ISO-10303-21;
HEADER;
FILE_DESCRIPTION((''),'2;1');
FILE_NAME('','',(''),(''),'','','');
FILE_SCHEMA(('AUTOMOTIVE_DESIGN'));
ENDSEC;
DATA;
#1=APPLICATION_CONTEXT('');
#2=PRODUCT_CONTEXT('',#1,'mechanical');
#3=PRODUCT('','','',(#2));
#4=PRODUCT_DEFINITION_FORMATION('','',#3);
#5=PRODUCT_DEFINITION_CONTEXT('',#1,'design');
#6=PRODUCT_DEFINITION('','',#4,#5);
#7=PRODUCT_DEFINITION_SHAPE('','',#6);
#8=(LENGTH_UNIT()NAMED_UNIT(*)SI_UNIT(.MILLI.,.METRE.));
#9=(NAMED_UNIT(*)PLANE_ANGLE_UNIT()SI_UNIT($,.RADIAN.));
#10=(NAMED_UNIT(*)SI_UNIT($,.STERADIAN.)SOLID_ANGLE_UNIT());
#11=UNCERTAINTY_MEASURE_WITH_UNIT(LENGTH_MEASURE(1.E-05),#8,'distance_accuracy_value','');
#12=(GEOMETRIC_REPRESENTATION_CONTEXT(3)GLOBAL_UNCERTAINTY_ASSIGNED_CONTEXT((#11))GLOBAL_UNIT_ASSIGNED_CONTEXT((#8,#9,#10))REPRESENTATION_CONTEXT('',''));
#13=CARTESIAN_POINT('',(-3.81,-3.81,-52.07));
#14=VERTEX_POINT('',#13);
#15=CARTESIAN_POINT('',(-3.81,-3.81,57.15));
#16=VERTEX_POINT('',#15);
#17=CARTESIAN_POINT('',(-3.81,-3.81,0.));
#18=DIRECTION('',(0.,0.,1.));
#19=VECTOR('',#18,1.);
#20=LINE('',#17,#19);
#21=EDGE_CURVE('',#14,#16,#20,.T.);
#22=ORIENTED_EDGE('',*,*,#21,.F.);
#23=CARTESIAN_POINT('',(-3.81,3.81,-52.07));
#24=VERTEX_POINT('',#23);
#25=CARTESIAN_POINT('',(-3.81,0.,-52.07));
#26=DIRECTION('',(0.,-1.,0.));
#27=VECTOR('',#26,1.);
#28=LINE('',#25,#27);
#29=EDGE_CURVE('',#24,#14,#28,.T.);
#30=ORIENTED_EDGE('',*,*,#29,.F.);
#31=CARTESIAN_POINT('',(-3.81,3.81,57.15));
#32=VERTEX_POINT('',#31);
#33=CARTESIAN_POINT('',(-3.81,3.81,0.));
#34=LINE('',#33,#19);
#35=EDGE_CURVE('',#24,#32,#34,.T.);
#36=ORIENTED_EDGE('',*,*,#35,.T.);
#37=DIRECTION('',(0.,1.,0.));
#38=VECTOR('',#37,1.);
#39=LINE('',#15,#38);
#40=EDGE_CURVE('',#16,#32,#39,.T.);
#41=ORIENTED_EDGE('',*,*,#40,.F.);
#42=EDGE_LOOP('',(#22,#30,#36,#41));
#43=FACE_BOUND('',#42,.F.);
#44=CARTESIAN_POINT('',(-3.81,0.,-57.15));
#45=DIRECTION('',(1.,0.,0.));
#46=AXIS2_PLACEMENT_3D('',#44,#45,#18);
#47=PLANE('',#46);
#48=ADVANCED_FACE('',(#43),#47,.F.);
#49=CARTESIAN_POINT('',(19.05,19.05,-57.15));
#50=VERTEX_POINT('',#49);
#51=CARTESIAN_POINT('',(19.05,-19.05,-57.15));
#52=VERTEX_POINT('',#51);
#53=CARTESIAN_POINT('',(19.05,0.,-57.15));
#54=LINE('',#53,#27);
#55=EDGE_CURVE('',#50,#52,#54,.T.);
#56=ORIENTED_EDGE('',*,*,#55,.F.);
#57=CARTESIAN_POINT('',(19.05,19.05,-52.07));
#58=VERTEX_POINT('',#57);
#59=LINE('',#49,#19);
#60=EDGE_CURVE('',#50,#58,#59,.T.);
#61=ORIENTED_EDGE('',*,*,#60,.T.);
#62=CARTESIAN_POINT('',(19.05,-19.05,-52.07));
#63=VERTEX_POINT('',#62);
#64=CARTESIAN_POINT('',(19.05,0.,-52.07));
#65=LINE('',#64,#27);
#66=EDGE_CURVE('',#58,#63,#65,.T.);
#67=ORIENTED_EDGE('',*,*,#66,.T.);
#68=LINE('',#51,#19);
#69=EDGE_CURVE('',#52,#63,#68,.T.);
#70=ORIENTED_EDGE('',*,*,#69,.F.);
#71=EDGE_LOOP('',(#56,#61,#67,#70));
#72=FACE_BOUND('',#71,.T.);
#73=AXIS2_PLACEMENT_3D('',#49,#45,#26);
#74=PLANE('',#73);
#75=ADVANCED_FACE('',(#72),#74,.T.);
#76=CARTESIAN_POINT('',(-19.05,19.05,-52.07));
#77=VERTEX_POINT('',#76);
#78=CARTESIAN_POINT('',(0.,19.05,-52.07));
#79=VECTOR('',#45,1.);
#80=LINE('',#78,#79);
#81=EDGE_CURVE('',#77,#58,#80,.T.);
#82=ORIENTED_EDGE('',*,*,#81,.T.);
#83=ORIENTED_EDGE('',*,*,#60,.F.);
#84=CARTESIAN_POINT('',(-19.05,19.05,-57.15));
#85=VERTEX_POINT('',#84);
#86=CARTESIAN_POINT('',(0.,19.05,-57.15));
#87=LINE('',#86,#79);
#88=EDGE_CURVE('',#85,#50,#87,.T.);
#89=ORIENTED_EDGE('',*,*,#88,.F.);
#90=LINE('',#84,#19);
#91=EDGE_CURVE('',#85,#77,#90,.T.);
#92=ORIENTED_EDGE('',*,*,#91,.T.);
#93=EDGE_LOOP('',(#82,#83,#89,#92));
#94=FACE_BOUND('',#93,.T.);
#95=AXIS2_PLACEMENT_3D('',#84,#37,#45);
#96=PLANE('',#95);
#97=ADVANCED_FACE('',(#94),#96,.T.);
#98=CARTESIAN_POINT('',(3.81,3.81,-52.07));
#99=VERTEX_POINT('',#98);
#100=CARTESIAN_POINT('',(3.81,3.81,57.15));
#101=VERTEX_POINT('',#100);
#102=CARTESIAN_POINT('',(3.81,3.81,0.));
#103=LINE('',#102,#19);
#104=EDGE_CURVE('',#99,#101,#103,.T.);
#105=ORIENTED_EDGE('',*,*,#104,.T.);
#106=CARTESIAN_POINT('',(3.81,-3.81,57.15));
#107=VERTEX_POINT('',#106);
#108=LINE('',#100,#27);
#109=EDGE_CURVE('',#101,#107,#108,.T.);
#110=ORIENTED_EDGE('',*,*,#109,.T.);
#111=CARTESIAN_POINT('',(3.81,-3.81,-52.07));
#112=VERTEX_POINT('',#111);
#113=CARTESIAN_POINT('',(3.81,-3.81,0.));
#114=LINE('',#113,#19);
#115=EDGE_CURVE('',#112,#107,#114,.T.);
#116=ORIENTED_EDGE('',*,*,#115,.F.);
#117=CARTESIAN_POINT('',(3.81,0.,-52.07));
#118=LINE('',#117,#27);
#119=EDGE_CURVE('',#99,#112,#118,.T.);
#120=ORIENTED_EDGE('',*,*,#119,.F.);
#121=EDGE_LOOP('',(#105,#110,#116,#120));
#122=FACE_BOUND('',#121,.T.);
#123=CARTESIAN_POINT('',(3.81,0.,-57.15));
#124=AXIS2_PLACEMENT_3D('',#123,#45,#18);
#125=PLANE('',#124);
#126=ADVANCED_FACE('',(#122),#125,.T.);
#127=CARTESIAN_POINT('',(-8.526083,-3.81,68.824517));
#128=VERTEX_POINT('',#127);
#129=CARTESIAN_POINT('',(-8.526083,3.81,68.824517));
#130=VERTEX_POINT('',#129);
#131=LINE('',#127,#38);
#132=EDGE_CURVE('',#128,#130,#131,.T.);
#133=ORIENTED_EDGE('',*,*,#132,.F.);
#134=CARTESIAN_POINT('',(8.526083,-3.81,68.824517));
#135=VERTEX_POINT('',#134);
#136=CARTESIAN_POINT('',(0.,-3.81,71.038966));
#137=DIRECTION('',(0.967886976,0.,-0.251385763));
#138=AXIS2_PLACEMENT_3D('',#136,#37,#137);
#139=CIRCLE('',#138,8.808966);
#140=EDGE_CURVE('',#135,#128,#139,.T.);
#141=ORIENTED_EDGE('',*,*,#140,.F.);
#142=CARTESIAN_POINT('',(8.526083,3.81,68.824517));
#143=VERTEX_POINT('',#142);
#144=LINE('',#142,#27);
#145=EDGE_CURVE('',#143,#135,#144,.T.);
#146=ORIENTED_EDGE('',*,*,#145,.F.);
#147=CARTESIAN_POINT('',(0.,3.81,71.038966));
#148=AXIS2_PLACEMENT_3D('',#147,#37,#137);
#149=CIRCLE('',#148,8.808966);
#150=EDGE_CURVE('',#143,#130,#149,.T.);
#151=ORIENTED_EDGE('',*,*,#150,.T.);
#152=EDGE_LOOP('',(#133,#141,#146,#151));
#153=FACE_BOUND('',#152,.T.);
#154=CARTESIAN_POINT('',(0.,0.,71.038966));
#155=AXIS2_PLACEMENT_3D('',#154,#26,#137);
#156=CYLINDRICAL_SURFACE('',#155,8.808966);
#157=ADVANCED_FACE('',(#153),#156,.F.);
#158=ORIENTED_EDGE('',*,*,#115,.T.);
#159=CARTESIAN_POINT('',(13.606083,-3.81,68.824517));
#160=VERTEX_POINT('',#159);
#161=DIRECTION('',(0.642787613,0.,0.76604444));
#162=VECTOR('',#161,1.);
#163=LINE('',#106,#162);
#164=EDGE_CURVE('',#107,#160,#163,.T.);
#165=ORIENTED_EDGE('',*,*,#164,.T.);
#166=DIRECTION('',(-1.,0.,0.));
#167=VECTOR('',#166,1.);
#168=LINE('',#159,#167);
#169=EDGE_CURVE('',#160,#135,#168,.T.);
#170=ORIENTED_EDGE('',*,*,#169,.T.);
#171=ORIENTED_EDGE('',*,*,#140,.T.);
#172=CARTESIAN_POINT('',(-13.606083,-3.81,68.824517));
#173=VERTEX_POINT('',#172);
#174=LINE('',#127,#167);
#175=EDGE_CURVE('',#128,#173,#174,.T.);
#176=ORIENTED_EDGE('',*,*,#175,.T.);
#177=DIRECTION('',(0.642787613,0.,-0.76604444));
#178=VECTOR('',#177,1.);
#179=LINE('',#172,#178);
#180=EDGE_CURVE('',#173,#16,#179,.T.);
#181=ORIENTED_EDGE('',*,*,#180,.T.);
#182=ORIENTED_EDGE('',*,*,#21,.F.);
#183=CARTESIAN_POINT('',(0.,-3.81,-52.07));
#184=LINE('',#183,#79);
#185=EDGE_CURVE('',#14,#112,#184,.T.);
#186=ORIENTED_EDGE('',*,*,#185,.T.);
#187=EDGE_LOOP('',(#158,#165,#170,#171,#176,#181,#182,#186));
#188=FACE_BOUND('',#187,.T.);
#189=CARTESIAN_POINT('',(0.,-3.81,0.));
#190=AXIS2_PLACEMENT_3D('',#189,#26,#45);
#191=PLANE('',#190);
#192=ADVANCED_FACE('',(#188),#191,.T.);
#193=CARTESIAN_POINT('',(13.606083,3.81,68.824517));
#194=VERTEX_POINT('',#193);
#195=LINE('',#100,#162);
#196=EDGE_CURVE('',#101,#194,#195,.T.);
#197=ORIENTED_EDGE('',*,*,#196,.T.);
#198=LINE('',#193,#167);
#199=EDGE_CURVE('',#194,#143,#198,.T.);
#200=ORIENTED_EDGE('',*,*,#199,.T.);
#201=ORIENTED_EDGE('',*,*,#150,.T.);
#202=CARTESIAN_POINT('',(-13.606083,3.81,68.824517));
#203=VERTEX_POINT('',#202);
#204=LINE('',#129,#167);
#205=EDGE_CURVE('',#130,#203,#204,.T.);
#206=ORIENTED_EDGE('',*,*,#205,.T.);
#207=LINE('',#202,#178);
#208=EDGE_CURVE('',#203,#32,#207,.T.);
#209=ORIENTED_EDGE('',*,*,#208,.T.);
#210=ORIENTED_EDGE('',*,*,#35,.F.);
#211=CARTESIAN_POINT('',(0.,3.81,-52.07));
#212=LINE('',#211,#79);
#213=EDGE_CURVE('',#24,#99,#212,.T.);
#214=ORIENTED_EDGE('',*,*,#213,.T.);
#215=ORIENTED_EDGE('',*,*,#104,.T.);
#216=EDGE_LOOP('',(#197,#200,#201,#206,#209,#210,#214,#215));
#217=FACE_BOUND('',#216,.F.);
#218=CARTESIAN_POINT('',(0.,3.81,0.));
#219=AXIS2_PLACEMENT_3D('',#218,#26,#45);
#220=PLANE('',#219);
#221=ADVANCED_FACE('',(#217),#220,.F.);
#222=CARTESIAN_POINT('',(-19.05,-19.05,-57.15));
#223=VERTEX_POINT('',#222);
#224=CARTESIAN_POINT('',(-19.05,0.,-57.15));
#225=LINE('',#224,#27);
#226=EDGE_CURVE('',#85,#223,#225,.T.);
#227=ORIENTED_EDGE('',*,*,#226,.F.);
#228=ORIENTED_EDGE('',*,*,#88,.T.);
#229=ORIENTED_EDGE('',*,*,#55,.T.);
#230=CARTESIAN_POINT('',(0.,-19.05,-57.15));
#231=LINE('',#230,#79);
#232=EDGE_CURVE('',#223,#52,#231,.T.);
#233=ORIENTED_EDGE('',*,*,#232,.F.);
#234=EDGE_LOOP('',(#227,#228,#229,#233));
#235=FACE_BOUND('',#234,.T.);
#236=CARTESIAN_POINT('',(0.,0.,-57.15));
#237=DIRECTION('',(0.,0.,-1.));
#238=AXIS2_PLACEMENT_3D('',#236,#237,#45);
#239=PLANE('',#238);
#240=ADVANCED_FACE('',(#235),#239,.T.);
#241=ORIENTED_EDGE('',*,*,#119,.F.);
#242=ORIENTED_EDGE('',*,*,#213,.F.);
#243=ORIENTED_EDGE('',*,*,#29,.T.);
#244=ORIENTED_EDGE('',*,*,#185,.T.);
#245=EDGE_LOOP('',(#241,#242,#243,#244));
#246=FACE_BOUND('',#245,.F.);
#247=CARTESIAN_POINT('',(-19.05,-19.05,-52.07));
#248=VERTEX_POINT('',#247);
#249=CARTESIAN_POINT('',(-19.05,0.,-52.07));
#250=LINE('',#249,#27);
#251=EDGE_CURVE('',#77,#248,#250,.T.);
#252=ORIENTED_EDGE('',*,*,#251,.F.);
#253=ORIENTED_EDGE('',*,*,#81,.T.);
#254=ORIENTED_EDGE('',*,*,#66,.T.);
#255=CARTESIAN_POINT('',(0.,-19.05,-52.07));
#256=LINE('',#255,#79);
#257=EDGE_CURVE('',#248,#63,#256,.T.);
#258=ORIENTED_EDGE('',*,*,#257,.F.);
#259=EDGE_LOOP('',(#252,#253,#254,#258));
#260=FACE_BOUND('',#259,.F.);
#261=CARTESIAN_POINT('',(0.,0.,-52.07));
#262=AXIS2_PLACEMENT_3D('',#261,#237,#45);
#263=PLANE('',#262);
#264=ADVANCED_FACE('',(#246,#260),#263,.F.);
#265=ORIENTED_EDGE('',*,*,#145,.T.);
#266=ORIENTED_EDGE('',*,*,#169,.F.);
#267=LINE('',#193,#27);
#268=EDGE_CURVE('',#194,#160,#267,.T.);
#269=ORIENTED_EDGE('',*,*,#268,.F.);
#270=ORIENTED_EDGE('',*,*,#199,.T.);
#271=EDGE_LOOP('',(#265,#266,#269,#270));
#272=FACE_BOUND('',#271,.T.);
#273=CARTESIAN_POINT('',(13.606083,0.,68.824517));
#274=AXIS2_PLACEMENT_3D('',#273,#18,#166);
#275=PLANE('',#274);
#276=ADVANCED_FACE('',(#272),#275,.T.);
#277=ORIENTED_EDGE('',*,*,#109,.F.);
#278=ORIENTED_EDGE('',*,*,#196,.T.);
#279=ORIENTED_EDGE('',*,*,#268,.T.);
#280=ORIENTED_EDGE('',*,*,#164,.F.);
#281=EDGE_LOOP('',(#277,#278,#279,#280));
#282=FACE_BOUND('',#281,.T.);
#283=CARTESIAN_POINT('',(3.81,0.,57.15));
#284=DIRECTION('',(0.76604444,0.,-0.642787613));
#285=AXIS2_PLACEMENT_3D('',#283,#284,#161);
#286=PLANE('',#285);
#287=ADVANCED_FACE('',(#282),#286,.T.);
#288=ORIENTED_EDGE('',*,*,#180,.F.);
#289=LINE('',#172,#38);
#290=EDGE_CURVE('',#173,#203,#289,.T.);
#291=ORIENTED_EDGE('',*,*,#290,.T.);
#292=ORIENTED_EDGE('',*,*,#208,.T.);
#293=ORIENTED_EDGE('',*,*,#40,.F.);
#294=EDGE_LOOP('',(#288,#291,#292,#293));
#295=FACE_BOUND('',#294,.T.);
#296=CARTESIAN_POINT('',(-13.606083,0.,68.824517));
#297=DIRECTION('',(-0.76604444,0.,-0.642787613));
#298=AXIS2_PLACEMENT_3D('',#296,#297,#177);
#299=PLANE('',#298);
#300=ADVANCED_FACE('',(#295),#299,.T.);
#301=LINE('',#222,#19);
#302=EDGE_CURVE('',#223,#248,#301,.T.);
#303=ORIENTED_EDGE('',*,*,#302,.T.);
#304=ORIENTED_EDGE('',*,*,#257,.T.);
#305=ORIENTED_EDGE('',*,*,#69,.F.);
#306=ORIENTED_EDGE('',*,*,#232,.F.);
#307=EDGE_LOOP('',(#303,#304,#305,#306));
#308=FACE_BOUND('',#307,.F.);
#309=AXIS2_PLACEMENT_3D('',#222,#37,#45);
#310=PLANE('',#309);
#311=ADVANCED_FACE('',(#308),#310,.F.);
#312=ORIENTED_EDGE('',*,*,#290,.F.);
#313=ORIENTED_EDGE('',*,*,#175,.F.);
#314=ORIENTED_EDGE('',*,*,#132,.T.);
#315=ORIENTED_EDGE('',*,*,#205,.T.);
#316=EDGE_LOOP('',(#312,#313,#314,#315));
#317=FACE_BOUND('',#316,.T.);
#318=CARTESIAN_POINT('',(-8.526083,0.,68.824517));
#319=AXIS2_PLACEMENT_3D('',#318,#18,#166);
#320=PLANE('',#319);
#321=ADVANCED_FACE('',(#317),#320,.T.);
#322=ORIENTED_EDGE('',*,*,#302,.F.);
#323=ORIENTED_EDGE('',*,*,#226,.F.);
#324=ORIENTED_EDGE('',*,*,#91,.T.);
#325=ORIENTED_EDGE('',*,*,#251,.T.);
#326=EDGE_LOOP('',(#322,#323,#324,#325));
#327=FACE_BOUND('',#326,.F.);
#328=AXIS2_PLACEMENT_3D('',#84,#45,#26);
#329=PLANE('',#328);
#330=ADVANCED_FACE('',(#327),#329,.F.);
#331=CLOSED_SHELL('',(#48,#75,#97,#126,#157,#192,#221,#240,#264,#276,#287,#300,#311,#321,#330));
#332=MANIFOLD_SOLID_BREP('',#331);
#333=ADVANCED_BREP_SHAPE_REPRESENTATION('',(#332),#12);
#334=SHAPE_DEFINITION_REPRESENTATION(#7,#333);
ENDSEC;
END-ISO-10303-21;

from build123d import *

# Parameters (mm, degrees)
F0_W     = 7.62
F0_H     = 114.3
F1_DEPTH = 3.81
F2_W     = 38.1
F2_H     = 38.1
F2_W_2   = 7.62
F2_H_2   = 7.62
F3_DEPTH = 5.08


with BuildPart() as f1:
    # F0 (on Front) → F1 (new body, symmetric)
    with BuildSketch(Plane.XZ):
        Rectangle(F0_W, F0_H)
        with BuildLine():
            Line((-3.81, 57.15), (3.81, 57.15))
            Line((3.81, 57.15), (13.606083, 68.824517))
            Line((13.606083, 68.824517), (8.526083, 68.824517))
            ThreePointArc((8.526083, 68.824517), (0, 62.23), (-8.526083, 68.824517))
            Line((-8.526083, 68.824517), (-13.606083, 68.824517))
            Line((-13.606083, 68.824517), (-3.81, 57.15))
        make_face()
    extrude(amount=F1_DEPTH, both=True)

    # F2 (on face) → F3 (join)
    with BuildSketch(Plane(origin=(0, 0, -57.15), x_dir=(1, 0, 0), z_dir=(0, 0, -1))):
        Rectangle(F2_W, F2_H)
        Rectangle(F2_W_2, F2_H_2, mode=Mode.SUBTRACT)
    extrude(amount=-F3_DEPTH)


solid = f1.part
